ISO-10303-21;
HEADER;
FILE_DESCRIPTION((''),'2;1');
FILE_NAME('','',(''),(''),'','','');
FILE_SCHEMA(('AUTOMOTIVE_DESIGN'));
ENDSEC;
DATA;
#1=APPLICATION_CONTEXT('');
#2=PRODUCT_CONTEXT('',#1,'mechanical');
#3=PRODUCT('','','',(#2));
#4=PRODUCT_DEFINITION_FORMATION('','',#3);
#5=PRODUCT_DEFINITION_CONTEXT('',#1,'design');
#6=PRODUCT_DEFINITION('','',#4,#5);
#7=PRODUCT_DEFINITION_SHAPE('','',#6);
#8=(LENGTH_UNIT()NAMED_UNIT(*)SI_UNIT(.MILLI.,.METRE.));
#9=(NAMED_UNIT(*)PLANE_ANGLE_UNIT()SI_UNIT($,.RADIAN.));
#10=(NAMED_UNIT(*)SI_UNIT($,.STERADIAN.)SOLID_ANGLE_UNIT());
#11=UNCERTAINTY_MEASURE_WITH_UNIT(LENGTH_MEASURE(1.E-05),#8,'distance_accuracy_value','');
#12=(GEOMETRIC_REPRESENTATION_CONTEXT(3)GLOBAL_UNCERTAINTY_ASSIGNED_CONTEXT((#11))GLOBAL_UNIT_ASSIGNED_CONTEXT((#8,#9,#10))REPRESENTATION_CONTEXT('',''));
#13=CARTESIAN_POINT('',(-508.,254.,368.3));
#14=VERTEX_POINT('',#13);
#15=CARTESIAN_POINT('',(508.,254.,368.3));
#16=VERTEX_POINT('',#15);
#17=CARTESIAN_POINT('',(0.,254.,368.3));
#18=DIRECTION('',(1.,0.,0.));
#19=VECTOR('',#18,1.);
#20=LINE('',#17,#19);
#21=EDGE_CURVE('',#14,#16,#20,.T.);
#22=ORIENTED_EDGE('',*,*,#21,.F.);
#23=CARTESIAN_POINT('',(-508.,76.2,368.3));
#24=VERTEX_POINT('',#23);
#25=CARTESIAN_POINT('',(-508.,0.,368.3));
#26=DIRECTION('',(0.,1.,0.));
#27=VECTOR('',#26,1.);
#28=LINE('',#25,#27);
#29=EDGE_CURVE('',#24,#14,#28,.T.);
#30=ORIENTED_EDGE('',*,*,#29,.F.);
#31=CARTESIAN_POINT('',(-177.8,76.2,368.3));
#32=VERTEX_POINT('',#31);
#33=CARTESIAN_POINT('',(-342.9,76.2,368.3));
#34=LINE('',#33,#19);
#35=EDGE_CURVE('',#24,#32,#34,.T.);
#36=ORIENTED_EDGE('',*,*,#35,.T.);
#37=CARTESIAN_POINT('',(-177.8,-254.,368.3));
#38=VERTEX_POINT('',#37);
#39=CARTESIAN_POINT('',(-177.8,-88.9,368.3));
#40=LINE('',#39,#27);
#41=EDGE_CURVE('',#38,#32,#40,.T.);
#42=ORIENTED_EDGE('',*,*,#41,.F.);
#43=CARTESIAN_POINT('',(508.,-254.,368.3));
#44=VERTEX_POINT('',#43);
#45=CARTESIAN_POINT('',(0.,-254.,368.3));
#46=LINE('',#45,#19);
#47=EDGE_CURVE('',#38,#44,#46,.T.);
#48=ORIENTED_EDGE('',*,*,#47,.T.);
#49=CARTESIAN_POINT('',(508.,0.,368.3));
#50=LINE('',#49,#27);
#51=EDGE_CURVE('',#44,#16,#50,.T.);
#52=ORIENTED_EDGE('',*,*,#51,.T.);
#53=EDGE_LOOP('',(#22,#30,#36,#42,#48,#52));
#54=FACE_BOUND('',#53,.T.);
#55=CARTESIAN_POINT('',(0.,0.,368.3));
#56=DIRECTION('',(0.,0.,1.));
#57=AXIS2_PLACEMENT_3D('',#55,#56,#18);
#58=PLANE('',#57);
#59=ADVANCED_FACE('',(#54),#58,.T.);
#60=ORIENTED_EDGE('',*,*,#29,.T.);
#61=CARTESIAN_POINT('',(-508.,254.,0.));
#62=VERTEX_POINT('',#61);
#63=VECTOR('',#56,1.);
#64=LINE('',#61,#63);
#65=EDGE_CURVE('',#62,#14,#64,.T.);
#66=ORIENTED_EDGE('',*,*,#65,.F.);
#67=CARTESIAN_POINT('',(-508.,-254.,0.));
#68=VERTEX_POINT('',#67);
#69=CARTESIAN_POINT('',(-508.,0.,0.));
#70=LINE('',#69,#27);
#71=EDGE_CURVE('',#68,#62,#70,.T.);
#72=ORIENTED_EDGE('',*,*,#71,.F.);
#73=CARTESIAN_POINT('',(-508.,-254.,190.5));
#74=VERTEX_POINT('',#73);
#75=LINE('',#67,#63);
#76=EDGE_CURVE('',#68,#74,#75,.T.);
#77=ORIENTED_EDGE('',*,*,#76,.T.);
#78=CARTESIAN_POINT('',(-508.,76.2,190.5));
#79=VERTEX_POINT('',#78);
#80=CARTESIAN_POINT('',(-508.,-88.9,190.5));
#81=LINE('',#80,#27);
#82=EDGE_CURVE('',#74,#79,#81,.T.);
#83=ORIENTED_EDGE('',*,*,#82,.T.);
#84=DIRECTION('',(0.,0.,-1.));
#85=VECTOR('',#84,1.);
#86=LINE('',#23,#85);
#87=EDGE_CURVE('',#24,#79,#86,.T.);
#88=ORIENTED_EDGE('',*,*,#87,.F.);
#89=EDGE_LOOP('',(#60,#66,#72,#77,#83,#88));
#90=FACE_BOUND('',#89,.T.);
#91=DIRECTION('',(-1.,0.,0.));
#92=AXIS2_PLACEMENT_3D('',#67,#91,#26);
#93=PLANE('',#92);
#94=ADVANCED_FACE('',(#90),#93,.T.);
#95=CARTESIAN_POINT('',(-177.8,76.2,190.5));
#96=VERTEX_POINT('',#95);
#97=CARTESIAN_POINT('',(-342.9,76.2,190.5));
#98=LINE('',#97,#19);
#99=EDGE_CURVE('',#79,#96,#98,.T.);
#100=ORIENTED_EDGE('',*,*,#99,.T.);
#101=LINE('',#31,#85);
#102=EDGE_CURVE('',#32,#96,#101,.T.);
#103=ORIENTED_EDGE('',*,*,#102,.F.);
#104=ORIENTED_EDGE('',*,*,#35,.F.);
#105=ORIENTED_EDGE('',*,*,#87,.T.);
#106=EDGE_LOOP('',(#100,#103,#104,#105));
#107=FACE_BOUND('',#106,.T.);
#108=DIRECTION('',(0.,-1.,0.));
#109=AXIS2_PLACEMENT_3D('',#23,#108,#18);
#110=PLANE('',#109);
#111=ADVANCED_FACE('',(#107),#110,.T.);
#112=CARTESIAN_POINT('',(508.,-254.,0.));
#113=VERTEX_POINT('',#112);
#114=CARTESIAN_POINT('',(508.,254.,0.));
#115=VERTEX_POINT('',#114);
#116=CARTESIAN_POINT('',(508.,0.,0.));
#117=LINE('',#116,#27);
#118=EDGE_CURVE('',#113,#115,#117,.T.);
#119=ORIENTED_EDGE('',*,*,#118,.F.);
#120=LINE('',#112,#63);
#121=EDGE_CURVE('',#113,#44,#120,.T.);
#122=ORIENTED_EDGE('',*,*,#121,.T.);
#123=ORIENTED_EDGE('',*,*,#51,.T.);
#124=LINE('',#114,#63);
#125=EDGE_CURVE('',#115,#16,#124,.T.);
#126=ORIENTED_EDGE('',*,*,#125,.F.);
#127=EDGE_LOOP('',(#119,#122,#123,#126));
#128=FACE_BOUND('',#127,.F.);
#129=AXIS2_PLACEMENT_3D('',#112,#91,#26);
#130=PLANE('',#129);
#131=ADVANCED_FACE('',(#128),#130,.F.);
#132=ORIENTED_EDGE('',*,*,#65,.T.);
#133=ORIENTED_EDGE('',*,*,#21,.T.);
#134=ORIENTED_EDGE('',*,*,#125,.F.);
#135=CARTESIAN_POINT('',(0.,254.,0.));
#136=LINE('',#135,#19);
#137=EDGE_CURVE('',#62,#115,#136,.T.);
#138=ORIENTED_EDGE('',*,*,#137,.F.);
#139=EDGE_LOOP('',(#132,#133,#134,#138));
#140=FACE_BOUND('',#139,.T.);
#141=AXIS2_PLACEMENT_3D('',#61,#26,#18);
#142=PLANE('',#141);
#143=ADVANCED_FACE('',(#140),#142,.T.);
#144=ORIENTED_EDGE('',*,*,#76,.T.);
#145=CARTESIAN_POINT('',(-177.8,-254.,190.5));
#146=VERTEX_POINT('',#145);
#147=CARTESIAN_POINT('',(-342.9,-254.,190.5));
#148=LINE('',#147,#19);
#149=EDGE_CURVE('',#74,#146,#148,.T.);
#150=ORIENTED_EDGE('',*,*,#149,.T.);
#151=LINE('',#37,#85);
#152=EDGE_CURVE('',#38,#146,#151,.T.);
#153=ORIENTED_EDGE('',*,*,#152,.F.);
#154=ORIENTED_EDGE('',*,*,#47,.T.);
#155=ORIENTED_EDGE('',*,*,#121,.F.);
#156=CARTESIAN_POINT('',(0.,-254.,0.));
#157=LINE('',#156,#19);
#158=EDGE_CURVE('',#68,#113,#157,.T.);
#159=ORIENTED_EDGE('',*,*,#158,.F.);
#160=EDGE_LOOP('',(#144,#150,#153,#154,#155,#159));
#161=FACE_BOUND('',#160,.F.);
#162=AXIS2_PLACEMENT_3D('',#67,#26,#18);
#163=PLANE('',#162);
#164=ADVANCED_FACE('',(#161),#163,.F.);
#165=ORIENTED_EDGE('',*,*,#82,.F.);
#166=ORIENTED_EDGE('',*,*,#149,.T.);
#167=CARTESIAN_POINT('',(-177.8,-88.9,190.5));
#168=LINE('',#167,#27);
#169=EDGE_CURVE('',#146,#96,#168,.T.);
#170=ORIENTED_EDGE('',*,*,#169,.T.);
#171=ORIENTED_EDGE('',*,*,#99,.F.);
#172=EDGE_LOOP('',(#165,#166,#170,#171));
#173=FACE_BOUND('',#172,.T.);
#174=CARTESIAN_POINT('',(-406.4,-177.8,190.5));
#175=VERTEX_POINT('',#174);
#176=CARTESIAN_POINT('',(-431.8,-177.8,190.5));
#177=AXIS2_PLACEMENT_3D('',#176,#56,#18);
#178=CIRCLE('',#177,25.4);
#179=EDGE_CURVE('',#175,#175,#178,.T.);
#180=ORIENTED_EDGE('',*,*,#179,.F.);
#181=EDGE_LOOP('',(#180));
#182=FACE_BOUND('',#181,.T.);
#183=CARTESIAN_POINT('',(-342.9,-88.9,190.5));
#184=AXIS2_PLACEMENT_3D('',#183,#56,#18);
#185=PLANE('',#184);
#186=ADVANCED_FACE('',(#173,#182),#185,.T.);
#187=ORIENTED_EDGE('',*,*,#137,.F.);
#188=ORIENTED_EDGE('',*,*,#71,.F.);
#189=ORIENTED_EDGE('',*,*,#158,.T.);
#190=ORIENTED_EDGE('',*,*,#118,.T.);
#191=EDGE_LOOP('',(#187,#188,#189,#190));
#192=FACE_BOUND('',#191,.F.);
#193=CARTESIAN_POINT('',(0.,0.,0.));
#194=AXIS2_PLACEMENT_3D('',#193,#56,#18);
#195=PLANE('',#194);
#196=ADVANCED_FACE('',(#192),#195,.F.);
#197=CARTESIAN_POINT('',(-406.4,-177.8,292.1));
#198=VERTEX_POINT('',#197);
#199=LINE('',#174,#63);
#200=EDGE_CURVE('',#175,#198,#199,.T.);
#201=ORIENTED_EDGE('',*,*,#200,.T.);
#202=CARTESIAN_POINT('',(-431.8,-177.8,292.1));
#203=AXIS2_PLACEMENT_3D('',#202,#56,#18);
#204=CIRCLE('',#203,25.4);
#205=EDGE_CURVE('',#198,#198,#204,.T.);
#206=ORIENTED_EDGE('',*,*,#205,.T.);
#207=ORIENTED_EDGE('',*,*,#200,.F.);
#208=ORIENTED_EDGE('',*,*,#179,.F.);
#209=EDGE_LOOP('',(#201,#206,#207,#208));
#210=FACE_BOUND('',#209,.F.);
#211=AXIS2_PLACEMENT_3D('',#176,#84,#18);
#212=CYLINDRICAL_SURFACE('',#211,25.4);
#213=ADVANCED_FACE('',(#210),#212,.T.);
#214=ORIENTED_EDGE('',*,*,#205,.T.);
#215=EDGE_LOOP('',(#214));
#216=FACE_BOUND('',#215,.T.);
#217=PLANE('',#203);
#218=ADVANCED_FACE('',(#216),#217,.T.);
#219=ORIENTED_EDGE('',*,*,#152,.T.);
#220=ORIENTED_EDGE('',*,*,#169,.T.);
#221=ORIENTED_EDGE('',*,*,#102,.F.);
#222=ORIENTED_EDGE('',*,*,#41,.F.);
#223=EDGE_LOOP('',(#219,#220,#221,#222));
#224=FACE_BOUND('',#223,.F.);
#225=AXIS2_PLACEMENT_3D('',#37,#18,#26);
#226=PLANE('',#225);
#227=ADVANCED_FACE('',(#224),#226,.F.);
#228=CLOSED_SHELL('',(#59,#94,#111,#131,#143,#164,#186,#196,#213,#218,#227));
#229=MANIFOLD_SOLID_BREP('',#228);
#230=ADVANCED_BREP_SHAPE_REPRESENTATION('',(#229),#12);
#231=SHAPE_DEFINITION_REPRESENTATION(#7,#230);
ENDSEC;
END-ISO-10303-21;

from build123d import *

# Parameters (mm, degrees)
F0_W     = 1016
F0_H     = 508
F1_DEPTH = 368.3
F2_W     = 330.2
F2_H     = 330.2
F3_DEPTH = 177.8
F4_R     = 25.4
F5_DEPTH = 101.6


with BuildPart() as f1:
    # F0 (on Top) → F1 (new body)
    with BuildSketch(Plane.XY):
        Rectangle(F0_W, F0_H)
    extrude(amount=F1_DEPTH)

    # F2 (on face) → F3 (cut)
    with BuildSketch(Plane.XY.offset(368.3)):
        with Locations((-342.9, -88.9)):
            Rectangle(F2_W, F2_H)
    extrude(amount=-F3_DEPTH, mode=Mode.SUBTRACT)

    # F4 (on face) → F5 (join)
    with BuildSketch(Plane.XY.offset(190.5)):
        with Locations((-431.8, -177.8)):
            Circle(F4_R)
    extrude(amount=F5_DEPTH)


solid = f1.part
